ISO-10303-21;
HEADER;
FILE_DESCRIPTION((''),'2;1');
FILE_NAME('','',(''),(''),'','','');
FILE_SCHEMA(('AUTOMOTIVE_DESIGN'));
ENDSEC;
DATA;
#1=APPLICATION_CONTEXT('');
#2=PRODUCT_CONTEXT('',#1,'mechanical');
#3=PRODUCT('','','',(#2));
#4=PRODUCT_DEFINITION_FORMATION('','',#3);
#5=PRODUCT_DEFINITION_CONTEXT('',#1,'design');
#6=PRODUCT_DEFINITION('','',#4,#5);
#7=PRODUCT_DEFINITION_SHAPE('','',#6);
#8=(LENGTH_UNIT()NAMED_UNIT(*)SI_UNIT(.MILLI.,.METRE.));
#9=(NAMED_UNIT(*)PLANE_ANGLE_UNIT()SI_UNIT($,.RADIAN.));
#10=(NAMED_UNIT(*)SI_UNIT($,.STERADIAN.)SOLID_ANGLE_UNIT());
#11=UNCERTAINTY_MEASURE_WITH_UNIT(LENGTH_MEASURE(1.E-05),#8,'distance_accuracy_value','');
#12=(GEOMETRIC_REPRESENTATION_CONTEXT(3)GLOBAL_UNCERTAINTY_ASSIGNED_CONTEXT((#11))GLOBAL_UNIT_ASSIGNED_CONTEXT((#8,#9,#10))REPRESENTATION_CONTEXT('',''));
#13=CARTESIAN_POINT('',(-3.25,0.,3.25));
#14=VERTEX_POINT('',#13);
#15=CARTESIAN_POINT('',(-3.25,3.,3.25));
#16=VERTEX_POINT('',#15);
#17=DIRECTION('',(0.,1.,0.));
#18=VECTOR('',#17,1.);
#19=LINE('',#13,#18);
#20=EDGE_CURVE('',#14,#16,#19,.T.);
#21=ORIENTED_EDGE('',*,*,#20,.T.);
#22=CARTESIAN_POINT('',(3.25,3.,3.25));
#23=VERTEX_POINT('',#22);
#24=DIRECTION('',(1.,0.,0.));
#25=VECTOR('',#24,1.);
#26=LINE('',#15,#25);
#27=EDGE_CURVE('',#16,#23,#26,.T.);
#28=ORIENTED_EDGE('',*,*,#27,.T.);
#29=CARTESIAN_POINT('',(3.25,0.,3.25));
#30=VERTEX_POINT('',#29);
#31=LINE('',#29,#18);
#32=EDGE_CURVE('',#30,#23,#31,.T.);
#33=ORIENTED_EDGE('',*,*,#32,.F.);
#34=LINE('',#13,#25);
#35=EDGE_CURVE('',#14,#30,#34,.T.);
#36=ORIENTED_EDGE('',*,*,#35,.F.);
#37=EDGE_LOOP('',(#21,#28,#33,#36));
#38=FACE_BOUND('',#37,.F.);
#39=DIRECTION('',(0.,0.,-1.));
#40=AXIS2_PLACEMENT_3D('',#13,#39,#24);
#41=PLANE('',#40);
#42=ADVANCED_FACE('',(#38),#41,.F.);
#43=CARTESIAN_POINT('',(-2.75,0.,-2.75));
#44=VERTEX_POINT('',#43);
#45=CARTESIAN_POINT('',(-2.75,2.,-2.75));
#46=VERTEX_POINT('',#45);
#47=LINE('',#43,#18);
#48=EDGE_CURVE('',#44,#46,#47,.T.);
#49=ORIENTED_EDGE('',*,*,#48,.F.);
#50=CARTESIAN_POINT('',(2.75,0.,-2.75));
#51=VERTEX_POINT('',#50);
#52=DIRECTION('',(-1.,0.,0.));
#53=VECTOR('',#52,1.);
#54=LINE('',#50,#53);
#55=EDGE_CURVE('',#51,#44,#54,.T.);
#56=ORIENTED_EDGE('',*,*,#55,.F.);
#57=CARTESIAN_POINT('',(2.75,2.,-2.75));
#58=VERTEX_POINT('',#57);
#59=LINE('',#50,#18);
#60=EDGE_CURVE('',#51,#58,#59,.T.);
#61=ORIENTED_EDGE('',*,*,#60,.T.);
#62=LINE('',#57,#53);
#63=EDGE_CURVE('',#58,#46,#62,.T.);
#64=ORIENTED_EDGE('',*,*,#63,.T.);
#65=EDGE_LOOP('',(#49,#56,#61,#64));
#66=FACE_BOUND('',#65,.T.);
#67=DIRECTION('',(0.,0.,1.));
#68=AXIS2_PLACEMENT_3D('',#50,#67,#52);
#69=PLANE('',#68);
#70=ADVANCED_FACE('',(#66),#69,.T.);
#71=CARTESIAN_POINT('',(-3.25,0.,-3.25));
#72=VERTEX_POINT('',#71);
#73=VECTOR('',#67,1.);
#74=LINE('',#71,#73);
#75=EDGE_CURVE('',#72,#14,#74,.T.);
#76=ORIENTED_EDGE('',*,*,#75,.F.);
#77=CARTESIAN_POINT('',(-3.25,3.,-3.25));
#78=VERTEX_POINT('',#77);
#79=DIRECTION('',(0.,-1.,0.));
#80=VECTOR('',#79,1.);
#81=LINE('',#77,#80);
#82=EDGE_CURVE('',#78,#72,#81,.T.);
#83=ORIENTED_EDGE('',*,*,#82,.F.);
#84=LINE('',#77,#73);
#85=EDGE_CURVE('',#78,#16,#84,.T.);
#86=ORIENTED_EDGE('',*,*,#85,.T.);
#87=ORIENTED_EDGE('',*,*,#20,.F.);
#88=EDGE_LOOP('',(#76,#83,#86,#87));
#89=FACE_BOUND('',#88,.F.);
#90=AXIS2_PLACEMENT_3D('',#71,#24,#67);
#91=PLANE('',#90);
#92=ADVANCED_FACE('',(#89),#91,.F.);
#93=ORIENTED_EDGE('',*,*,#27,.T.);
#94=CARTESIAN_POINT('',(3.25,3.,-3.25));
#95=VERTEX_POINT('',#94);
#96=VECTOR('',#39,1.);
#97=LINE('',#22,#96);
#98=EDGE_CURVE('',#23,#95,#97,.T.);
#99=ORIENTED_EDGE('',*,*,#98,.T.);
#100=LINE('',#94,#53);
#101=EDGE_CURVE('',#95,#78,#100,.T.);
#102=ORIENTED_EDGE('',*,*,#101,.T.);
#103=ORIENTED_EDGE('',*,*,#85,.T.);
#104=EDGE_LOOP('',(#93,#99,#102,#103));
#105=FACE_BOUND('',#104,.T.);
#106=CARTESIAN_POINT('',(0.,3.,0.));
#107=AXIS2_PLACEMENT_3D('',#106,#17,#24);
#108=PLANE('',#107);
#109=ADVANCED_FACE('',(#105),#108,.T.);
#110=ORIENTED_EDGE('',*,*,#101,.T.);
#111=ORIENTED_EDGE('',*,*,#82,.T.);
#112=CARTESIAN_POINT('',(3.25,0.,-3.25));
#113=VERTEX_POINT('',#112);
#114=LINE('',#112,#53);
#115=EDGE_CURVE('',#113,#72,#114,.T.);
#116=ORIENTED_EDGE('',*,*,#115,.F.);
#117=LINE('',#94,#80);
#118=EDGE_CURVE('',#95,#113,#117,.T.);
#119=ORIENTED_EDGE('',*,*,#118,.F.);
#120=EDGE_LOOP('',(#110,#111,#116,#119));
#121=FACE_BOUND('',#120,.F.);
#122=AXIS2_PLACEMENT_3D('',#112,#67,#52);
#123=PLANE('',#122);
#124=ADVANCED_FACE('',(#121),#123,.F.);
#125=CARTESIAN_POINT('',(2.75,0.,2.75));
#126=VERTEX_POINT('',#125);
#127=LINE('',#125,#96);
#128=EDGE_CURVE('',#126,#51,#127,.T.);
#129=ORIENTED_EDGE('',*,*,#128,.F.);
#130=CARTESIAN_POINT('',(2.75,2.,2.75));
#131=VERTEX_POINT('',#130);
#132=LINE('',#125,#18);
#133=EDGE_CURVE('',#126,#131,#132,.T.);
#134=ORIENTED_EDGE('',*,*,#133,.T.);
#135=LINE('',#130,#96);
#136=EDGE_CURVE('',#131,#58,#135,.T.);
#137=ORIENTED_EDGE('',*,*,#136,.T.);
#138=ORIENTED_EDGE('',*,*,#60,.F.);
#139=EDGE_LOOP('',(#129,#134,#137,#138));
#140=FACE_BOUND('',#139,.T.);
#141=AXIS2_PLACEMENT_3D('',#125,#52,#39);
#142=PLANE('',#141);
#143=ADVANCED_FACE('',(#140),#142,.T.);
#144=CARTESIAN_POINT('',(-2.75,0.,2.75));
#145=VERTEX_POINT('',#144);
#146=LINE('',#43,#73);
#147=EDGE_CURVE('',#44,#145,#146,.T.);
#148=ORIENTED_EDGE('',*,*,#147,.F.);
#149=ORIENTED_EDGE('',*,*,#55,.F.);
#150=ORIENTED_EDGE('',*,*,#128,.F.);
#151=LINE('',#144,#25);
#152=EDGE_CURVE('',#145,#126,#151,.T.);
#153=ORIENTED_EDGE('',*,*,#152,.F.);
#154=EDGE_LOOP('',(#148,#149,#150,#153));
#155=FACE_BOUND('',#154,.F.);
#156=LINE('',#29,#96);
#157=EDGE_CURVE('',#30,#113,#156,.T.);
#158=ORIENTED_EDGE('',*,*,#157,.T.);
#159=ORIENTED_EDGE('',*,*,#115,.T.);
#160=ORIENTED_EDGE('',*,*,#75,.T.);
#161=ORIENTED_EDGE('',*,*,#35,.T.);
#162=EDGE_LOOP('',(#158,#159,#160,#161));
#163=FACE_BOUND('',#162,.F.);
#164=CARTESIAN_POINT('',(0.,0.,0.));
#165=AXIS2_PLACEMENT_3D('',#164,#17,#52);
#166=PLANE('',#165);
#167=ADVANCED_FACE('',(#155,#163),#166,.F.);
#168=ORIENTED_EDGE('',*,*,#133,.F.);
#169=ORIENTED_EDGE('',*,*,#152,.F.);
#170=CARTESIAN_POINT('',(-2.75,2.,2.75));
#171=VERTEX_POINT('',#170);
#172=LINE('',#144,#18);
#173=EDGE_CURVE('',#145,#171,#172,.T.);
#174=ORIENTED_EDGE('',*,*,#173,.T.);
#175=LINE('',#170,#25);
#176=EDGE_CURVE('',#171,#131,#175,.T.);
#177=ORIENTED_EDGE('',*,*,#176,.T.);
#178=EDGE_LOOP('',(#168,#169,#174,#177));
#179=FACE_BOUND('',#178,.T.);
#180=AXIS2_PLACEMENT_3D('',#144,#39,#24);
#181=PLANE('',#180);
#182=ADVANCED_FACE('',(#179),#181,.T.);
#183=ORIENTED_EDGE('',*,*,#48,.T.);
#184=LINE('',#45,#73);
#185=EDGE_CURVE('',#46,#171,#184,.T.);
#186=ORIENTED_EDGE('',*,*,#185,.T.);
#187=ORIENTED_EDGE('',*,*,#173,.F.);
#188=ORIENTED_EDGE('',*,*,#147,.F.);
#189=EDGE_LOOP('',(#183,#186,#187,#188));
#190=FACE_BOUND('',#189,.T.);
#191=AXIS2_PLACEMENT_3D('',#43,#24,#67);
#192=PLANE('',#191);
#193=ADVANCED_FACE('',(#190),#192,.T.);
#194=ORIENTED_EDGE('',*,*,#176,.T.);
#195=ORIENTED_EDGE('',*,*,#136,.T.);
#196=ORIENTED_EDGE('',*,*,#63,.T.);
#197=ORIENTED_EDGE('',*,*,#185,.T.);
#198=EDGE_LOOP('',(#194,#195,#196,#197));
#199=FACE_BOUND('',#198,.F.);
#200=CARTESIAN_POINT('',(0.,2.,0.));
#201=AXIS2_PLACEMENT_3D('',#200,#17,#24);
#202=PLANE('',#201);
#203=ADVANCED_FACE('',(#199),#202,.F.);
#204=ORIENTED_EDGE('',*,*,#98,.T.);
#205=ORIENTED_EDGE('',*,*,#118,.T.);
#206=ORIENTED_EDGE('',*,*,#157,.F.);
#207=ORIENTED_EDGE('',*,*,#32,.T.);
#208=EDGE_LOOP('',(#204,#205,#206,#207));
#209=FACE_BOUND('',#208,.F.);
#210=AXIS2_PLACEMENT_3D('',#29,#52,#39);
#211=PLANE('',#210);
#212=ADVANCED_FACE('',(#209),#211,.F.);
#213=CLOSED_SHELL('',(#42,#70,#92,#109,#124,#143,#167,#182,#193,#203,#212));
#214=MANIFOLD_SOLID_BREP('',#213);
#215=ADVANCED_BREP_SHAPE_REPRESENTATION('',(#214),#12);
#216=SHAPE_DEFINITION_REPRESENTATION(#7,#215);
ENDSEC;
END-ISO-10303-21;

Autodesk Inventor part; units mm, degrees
ref_plane "YZ Plane" through (0, 0, 0) normal (1, 0, 0) x (0, 1, 0)
ref_plane "XZ Plane" through (0, 0, 0) normal (0, 1, 0) x (-1, 0, 0)
ref_plane "XY Plane" through (0, 0, 0) normal (0, 0, 1) x (1, 0, 0)
sketch "Sketch2" plane through (0, 0, 0) normal (0, 1, 0) x (-1, 0, 0)
  line L0 (-2.75, -2.75) -> (2.75, -2.75)
  line L1 (2.75, -2.75) -> (2.75, 2.75)
  line L2 (2.75, 2.75) -> (-2.75, 2.75)
  line L3 (-2.75, 2.75) -> (-2.75, -2.75)
  line L4 (-2.75, -2.75) -> (2.75, 2.75) construction
  line L5 (2.75, -2.75) -> (-2.75, 2.75) construction
  line L6 (3.25, 3.25) -> (-3.25, 3.25)
  line L7 (-3.25, 3.25) -> (-3.25, -3.25)
  line L8 (-3.25, -3.25) -> (3.25, -3.25)
  line L9 (3.25, -3.25) -> (3.25, 3.25)
  line L10 (3.25, 3.25) -> (-3.25, -3.25) construction
  line L11 (-3.25, 3.25) -> (3.25, -3.25) construction
  point P0 (0, 0)
  point P1 (3.25, 0)
  point P2 (-3.25, 0)
  point P3 (3.25, 0)
  point P4 (-3.25, 0)
  point P5 (3.25, 0)
  point P6 (2.75, 0)
  point P7 (-2.75, 0)
  dimension "d2" = 5.5
  dimension "d3" = 5.5
  dimension "d6" = 6.5
  dimension "d7" = 6.5
extrude "Extrusion1" add sketch "Sketch2" along normal blind 2
sketch "Sketch4" plane through (0, 2, 0) normal (0, 1, 0) x (1, 0, 0)
  line L0 (-3.25, 3.25) -> (-3.25, -3.25) projected
  line L1 (3.25, -3.25) -> (3.25, 3.25) projected
  line L2 (-3.25, -3.25) -> (3.25, -3.25)
  line L3 (3.25, -3.25) -> (3.25, 3.25)
  line L4 (3.25, 3.25) -> (-3.25, 3.25)
  line L5 (-3.25, 3.25) -> (-3.25, -3.25)
  point P0 (0, 0)
  dimension "d10" = 6.5
extrude "Extrusion2" add sketch "Sketch4" along normal blind 1
sketch "Sketch5" plane through (0, 0, 0) normal (0, -1, 0) x (1, 0, 0)
  line L0 (-3.25, -3.25) -> (-3.25, 3.25) projected
  line L1 (3.25, 3.25) -> (3.25, -3.25) projected
  point P0 (0, 0)
  point P1 (-3.25, 0)
  point P2 (3.25, 0)
properties part number "snapfit_lid_v06"
